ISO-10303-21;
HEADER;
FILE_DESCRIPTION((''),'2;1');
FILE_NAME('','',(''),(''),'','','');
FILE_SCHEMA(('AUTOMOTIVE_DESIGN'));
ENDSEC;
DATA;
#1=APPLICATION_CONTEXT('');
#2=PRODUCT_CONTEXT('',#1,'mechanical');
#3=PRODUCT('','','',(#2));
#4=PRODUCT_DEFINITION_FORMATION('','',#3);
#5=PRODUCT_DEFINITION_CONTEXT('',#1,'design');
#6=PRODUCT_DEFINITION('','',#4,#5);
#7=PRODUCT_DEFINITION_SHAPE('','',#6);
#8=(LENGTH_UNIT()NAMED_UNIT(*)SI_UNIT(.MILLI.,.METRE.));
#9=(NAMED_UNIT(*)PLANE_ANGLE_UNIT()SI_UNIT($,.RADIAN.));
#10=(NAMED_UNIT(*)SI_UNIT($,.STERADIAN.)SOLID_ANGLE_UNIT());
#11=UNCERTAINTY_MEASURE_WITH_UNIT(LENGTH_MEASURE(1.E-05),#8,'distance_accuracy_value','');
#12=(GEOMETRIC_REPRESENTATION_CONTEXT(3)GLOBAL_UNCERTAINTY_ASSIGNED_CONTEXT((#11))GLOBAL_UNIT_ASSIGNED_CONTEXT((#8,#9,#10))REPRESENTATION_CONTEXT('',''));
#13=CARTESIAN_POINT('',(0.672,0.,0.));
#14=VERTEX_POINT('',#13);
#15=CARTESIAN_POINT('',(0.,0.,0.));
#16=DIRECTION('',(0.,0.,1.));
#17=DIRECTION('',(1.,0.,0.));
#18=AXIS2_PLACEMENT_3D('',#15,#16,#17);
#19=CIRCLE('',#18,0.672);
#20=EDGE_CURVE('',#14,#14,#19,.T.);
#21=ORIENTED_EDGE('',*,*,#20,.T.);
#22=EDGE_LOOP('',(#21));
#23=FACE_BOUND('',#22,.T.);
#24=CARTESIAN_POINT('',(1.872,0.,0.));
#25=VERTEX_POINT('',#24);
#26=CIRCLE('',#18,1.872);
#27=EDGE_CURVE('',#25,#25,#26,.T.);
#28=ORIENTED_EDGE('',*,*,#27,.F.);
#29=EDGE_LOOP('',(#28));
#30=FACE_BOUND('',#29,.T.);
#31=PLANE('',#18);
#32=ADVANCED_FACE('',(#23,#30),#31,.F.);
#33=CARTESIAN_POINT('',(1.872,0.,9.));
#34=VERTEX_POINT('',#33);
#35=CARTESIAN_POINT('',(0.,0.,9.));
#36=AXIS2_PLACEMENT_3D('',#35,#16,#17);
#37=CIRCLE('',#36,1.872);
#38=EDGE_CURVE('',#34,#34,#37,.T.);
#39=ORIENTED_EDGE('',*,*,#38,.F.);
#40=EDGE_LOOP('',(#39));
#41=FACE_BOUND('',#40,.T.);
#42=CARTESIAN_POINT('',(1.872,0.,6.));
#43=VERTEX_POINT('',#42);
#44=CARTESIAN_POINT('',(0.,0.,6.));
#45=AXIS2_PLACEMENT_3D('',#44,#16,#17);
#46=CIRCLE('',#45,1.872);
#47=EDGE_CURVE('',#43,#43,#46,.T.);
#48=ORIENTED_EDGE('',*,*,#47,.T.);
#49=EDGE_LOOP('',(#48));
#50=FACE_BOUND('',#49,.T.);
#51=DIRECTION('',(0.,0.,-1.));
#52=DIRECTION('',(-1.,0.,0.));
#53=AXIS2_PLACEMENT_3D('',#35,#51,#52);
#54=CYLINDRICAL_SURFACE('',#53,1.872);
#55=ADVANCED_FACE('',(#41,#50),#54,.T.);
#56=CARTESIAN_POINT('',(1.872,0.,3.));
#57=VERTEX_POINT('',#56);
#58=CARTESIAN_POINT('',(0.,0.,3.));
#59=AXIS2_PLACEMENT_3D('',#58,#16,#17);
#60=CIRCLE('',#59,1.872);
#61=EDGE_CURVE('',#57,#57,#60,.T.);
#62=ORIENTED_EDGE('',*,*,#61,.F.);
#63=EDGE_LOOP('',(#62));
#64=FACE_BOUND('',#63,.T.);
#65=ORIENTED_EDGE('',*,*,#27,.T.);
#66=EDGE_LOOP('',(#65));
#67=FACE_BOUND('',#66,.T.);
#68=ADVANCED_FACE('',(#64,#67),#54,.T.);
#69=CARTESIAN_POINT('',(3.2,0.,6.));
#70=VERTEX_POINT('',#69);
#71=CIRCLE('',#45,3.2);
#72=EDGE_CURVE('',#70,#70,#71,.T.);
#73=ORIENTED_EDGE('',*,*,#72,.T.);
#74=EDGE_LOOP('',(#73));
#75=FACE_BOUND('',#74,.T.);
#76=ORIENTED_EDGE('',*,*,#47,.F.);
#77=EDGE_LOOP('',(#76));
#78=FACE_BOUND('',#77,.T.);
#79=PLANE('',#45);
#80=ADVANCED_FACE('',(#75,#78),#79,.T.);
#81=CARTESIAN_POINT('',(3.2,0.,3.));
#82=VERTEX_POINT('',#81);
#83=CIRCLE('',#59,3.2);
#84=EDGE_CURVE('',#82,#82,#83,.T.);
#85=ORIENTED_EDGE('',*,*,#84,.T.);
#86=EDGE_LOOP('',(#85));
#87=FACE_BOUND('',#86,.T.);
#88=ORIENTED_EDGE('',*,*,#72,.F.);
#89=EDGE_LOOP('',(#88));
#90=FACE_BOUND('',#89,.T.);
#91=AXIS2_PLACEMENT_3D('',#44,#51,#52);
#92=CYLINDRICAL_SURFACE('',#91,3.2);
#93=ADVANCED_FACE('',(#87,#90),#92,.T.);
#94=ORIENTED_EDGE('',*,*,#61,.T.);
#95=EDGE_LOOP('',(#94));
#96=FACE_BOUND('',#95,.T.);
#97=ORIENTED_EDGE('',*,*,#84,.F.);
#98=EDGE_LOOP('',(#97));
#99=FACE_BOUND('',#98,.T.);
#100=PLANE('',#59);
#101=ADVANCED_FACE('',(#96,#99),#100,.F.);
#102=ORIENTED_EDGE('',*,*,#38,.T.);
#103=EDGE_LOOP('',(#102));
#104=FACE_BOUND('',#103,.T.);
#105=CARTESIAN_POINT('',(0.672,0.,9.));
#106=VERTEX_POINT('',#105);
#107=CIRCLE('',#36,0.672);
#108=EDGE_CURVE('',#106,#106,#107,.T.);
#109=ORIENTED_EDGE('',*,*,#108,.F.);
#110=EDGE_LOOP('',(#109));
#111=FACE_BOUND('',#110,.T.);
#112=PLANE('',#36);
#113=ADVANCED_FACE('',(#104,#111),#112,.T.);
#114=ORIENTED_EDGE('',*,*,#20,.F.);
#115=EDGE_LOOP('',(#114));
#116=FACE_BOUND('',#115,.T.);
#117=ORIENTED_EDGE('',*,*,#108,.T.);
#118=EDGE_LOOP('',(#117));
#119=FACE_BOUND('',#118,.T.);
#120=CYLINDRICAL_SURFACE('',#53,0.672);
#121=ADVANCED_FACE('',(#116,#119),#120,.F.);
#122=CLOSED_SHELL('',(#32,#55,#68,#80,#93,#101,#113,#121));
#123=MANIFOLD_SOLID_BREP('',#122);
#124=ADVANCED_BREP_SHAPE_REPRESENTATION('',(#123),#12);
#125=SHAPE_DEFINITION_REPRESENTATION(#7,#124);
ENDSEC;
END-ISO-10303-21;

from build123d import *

# Parameters (mm, degrees)
SKETCH2_R           = 1.872
SKETCH2_R_2         = 0.672
BOSS_EXTRUDE1_DEPTH = 9
BOSS_EXTRUDE2_START = 3
SKETCH3_R           = 3.2
SKETCH3_R_2         = 1.872
BOSS_EXTRUDE2_DEPTH = 3


with BuildPart() as part:
    # Sketch2 → Boss-Extrude1 (new body)
    with BuildSketch(Plane.XY):
        Circle(SKETCH2_R)
        Circle(SKETCH2_R_2, mode=Mode.SUBTRACT)
    extrude(amount=BOSS_EXTRUDE1_DEPTH)

    # Sketch3 → Boss-Extrude2 (add)
    with BuildSketch(Plane.XY.offset(BOSS_EXTRUDE2_START)):
        Circle(SKETCH3_R)
        Circle(SKETCH3_R_2, mode=Mode.SUBTRACT)
    extrude(amount=BOSS_EXTRUDE2_DEPTH)


solid = part.part
